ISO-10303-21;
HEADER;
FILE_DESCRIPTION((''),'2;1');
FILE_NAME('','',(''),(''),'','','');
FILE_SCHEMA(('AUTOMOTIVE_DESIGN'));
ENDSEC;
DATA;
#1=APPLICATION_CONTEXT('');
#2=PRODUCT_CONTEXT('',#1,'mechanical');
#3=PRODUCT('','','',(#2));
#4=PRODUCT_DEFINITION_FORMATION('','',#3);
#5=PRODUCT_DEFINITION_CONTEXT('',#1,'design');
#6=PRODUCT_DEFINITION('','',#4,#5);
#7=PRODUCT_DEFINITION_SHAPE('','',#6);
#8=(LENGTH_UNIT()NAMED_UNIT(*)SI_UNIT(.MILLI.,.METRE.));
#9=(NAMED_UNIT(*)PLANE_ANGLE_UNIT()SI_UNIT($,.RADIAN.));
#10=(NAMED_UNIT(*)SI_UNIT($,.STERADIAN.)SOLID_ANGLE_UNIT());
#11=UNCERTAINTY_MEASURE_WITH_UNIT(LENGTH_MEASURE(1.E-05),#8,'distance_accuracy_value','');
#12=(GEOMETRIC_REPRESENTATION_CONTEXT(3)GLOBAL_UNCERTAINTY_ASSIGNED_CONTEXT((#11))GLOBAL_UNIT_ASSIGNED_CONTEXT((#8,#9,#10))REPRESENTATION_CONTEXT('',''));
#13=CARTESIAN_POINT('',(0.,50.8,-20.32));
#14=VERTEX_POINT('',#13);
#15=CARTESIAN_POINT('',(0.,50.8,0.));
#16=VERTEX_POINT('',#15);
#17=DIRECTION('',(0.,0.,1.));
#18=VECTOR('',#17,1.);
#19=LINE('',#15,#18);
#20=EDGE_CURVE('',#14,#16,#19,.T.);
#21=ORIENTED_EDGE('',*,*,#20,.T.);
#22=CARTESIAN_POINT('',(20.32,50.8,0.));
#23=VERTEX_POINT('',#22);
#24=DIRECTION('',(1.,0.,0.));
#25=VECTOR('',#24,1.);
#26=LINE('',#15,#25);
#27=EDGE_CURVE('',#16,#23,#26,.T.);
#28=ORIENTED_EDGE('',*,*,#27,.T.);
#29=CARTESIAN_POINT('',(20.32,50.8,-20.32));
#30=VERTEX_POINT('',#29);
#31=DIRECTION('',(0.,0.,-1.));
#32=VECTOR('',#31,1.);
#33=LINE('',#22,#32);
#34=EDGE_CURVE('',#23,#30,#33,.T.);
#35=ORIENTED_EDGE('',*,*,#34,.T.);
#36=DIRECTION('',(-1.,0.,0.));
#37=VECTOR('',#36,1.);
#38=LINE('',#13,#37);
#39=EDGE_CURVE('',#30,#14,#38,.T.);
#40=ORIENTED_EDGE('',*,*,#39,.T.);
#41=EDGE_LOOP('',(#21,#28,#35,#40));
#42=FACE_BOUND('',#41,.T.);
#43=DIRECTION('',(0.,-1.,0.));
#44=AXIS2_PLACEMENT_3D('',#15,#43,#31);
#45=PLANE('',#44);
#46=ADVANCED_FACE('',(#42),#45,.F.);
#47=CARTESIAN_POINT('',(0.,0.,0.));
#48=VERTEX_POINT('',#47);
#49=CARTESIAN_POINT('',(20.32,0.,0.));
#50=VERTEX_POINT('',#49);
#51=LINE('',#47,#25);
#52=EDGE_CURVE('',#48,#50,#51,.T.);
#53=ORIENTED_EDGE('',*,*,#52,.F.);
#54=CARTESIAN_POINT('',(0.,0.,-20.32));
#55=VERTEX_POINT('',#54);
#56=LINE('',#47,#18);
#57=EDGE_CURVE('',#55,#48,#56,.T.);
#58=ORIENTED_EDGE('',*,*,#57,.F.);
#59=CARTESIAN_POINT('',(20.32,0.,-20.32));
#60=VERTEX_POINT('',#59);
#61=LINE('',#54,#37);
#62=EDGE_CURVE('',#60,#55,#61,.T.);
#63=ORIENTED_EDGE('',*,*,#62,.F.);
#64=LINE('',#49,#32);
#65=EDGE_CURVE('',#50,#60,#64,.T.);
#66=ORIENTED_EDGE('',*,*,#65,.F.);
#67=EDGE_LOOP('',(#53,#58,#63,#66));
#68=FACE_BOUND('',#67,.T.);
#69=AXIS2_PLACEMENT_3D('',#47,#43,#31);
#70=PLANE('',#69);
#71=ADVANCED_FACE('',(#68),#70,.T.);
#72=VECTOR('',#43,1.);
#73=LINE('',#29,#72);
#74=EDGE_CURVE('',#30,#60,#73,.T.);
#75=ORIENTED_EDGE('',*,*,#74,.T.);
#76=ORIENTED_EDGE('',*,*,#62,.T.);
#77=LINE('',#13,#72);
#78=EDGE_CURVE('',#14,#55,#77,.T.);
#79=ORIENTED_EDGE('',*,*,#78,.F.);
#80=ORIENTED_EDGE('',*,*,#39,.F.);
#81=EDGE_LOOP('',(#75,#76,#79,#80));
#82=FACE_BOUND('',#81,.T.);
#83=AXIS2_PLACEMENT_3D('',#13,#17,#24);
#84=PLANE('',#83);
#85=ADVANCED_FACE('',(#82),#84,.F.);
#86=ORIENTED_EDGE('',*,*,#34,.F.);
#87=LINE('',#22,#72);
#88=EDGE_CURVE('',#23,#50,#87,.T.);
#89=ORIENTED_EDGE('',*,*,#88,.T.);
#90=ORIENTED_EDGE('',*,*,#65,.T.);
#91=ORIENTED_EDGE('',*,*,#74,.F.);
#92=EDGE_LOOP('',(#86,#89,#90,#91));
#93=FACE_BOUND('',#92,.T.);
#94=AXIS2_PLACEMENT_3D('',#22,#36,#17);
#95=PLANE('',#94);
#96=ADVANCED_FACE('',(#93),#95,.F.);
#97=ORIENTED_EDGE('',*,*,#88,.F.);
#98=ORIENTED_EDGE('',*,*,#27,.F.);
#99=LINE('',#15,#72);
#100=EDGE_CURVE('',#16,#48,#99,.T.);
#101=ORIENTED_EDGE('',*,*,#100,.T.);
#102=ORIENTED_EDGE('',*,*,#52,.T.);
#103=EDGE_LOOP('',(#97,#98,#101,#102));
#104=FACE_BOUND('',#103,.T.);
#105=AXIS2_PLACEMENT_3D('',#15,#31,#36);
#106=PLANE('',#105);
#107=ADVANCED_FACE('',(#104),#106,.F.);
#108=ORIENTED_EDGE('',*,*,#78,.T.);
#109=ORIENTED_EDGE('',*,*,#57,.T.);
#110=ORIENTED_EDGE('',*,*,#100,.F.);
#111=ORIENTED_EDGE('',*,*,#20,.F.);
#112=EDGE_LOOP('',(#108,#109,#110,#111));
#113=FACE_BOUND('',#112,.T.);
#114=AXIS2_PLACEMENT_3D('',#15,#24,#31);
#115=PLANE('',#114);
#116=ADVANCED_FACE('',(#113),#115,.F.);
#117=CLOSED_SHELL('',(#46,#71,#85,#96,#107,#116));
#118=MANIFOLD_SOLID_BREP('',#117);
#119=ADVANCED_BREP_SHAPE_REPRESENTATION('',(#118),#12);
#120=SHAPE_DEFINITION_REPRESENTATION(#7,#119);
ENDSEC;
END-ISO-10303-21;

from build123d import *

# Parameters (mm, degrees)
SKETCH1_W           = 20.32
SKETCH1_H           = 20.32
BOSS_EXTRUDE1_DEPTH = 50.8


with BuildPart() as part:
    # Sketch1 → Boss-Extrude1 (new body)
    with BuildSketch(Plane(origin=(0, 0, 0), x_dir=(1, 0, 0), z_dir=(0, 1, 0))):
        with Locations((10.16, 10.16)):
            Rectangle(SKETCH1_W, SKETCH1_H)
    extrude(amount=BOSS_EXTRUDE1_DEPTH)


solid = part.part
